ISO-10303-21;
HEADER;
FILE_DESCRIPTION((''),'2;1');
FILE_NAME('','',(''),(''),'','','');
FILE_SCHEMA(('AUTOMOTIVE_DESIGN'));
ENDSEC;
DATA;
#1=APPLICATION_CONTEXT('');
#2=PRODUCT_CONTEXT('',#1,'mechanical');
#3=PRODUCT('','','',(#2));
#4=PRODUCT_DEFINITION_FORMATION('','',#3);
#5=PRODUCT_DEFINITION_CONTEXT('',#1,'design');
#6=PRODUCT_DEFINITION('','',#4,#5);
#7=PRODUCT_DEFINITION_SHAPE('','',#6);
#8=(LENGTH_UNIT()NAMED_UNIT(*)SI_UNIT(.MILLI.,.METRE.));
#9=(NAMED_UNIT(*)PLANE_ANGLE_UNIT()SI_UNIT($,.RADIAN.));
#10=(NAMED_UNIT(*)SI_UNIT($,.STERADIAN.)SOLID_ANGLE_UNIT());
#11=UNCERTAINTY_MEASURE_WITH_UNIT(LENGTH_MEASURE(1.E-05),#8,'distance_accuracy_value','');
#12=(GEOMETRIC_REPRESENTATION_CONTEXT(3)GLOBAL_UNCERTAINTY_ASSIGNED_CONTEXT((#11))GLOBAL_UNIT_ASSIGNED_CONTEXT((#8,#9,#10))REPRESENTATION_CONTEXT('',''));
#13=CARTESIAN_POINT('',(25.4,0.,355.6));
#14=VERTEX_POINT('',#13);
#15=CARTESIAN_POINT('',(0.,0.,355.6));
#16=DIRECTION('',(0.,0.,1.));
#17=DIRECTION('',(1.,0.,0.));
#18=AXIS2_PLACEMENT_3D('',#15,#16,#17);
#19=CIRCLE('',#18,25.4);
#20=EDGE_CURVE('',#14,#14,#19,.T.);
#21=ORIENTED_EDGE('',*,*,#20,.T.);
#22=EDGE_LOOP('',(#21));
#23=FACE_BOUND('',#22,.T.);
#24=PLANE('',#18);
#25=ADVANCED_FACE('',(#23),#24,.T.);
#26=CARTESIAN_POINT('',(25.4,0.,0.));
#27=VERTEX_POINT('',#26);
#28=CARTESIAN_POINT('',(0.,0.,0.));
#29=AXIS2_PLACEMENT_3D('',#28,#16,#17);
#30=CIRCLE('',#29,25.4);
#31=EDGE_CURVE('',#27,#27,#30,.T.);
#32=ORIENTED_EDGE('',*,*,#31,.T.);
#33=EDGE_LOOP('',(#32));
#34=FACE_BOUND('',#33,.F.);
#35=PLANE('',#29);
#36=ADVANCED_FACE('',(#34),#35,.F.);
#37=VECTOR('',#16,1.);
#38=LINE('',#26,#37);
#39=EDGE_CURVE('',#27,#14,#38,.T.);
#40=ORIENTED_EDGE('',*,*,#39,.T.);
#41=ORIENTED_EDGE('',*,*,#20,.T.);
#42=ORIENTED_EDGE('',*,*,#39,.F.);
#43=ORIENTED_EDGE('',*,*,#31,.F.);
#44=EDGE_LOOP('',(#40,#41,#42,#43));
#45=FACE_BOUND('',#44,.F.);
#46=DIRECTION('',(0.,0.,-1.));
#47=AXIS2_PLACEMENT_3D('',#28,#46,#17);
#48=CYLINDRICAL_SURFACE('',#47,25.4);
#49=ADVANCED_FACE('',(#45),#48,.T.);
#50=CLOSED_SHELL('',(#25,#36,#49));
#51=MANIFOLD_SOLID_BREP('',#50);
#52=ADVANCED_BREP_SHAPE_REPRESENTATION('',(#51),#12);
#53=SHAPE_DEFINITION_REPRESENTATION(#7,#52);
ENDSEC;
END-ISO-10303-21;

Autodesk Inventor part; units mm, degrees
ref_plane "YZ Plane" through (0, 0, 0) normal (1, 0, 0) x (0, 1, 0)
ref_plane "XZ Plane" through (0, 0, 0) normal (0, 1, 0) x (-1, 0, 0)
ref_plane "XY Plane" through (0, 0, 0) normal (0, 0, 1) x (1, 0, 0)
sketch "Sketch1" plane through (0, 0, 0) normal (0, 0, 1) x (1, 0, 0)
  circle A0 centre (0, 0) radius 25.4
  dimension "d0" = 50.8
extrude "Extrusion1" add sketch "Sketch1" along normal blind 355.6
properties part number "Pneumatic Air Storage" material "Iron, Cast"
